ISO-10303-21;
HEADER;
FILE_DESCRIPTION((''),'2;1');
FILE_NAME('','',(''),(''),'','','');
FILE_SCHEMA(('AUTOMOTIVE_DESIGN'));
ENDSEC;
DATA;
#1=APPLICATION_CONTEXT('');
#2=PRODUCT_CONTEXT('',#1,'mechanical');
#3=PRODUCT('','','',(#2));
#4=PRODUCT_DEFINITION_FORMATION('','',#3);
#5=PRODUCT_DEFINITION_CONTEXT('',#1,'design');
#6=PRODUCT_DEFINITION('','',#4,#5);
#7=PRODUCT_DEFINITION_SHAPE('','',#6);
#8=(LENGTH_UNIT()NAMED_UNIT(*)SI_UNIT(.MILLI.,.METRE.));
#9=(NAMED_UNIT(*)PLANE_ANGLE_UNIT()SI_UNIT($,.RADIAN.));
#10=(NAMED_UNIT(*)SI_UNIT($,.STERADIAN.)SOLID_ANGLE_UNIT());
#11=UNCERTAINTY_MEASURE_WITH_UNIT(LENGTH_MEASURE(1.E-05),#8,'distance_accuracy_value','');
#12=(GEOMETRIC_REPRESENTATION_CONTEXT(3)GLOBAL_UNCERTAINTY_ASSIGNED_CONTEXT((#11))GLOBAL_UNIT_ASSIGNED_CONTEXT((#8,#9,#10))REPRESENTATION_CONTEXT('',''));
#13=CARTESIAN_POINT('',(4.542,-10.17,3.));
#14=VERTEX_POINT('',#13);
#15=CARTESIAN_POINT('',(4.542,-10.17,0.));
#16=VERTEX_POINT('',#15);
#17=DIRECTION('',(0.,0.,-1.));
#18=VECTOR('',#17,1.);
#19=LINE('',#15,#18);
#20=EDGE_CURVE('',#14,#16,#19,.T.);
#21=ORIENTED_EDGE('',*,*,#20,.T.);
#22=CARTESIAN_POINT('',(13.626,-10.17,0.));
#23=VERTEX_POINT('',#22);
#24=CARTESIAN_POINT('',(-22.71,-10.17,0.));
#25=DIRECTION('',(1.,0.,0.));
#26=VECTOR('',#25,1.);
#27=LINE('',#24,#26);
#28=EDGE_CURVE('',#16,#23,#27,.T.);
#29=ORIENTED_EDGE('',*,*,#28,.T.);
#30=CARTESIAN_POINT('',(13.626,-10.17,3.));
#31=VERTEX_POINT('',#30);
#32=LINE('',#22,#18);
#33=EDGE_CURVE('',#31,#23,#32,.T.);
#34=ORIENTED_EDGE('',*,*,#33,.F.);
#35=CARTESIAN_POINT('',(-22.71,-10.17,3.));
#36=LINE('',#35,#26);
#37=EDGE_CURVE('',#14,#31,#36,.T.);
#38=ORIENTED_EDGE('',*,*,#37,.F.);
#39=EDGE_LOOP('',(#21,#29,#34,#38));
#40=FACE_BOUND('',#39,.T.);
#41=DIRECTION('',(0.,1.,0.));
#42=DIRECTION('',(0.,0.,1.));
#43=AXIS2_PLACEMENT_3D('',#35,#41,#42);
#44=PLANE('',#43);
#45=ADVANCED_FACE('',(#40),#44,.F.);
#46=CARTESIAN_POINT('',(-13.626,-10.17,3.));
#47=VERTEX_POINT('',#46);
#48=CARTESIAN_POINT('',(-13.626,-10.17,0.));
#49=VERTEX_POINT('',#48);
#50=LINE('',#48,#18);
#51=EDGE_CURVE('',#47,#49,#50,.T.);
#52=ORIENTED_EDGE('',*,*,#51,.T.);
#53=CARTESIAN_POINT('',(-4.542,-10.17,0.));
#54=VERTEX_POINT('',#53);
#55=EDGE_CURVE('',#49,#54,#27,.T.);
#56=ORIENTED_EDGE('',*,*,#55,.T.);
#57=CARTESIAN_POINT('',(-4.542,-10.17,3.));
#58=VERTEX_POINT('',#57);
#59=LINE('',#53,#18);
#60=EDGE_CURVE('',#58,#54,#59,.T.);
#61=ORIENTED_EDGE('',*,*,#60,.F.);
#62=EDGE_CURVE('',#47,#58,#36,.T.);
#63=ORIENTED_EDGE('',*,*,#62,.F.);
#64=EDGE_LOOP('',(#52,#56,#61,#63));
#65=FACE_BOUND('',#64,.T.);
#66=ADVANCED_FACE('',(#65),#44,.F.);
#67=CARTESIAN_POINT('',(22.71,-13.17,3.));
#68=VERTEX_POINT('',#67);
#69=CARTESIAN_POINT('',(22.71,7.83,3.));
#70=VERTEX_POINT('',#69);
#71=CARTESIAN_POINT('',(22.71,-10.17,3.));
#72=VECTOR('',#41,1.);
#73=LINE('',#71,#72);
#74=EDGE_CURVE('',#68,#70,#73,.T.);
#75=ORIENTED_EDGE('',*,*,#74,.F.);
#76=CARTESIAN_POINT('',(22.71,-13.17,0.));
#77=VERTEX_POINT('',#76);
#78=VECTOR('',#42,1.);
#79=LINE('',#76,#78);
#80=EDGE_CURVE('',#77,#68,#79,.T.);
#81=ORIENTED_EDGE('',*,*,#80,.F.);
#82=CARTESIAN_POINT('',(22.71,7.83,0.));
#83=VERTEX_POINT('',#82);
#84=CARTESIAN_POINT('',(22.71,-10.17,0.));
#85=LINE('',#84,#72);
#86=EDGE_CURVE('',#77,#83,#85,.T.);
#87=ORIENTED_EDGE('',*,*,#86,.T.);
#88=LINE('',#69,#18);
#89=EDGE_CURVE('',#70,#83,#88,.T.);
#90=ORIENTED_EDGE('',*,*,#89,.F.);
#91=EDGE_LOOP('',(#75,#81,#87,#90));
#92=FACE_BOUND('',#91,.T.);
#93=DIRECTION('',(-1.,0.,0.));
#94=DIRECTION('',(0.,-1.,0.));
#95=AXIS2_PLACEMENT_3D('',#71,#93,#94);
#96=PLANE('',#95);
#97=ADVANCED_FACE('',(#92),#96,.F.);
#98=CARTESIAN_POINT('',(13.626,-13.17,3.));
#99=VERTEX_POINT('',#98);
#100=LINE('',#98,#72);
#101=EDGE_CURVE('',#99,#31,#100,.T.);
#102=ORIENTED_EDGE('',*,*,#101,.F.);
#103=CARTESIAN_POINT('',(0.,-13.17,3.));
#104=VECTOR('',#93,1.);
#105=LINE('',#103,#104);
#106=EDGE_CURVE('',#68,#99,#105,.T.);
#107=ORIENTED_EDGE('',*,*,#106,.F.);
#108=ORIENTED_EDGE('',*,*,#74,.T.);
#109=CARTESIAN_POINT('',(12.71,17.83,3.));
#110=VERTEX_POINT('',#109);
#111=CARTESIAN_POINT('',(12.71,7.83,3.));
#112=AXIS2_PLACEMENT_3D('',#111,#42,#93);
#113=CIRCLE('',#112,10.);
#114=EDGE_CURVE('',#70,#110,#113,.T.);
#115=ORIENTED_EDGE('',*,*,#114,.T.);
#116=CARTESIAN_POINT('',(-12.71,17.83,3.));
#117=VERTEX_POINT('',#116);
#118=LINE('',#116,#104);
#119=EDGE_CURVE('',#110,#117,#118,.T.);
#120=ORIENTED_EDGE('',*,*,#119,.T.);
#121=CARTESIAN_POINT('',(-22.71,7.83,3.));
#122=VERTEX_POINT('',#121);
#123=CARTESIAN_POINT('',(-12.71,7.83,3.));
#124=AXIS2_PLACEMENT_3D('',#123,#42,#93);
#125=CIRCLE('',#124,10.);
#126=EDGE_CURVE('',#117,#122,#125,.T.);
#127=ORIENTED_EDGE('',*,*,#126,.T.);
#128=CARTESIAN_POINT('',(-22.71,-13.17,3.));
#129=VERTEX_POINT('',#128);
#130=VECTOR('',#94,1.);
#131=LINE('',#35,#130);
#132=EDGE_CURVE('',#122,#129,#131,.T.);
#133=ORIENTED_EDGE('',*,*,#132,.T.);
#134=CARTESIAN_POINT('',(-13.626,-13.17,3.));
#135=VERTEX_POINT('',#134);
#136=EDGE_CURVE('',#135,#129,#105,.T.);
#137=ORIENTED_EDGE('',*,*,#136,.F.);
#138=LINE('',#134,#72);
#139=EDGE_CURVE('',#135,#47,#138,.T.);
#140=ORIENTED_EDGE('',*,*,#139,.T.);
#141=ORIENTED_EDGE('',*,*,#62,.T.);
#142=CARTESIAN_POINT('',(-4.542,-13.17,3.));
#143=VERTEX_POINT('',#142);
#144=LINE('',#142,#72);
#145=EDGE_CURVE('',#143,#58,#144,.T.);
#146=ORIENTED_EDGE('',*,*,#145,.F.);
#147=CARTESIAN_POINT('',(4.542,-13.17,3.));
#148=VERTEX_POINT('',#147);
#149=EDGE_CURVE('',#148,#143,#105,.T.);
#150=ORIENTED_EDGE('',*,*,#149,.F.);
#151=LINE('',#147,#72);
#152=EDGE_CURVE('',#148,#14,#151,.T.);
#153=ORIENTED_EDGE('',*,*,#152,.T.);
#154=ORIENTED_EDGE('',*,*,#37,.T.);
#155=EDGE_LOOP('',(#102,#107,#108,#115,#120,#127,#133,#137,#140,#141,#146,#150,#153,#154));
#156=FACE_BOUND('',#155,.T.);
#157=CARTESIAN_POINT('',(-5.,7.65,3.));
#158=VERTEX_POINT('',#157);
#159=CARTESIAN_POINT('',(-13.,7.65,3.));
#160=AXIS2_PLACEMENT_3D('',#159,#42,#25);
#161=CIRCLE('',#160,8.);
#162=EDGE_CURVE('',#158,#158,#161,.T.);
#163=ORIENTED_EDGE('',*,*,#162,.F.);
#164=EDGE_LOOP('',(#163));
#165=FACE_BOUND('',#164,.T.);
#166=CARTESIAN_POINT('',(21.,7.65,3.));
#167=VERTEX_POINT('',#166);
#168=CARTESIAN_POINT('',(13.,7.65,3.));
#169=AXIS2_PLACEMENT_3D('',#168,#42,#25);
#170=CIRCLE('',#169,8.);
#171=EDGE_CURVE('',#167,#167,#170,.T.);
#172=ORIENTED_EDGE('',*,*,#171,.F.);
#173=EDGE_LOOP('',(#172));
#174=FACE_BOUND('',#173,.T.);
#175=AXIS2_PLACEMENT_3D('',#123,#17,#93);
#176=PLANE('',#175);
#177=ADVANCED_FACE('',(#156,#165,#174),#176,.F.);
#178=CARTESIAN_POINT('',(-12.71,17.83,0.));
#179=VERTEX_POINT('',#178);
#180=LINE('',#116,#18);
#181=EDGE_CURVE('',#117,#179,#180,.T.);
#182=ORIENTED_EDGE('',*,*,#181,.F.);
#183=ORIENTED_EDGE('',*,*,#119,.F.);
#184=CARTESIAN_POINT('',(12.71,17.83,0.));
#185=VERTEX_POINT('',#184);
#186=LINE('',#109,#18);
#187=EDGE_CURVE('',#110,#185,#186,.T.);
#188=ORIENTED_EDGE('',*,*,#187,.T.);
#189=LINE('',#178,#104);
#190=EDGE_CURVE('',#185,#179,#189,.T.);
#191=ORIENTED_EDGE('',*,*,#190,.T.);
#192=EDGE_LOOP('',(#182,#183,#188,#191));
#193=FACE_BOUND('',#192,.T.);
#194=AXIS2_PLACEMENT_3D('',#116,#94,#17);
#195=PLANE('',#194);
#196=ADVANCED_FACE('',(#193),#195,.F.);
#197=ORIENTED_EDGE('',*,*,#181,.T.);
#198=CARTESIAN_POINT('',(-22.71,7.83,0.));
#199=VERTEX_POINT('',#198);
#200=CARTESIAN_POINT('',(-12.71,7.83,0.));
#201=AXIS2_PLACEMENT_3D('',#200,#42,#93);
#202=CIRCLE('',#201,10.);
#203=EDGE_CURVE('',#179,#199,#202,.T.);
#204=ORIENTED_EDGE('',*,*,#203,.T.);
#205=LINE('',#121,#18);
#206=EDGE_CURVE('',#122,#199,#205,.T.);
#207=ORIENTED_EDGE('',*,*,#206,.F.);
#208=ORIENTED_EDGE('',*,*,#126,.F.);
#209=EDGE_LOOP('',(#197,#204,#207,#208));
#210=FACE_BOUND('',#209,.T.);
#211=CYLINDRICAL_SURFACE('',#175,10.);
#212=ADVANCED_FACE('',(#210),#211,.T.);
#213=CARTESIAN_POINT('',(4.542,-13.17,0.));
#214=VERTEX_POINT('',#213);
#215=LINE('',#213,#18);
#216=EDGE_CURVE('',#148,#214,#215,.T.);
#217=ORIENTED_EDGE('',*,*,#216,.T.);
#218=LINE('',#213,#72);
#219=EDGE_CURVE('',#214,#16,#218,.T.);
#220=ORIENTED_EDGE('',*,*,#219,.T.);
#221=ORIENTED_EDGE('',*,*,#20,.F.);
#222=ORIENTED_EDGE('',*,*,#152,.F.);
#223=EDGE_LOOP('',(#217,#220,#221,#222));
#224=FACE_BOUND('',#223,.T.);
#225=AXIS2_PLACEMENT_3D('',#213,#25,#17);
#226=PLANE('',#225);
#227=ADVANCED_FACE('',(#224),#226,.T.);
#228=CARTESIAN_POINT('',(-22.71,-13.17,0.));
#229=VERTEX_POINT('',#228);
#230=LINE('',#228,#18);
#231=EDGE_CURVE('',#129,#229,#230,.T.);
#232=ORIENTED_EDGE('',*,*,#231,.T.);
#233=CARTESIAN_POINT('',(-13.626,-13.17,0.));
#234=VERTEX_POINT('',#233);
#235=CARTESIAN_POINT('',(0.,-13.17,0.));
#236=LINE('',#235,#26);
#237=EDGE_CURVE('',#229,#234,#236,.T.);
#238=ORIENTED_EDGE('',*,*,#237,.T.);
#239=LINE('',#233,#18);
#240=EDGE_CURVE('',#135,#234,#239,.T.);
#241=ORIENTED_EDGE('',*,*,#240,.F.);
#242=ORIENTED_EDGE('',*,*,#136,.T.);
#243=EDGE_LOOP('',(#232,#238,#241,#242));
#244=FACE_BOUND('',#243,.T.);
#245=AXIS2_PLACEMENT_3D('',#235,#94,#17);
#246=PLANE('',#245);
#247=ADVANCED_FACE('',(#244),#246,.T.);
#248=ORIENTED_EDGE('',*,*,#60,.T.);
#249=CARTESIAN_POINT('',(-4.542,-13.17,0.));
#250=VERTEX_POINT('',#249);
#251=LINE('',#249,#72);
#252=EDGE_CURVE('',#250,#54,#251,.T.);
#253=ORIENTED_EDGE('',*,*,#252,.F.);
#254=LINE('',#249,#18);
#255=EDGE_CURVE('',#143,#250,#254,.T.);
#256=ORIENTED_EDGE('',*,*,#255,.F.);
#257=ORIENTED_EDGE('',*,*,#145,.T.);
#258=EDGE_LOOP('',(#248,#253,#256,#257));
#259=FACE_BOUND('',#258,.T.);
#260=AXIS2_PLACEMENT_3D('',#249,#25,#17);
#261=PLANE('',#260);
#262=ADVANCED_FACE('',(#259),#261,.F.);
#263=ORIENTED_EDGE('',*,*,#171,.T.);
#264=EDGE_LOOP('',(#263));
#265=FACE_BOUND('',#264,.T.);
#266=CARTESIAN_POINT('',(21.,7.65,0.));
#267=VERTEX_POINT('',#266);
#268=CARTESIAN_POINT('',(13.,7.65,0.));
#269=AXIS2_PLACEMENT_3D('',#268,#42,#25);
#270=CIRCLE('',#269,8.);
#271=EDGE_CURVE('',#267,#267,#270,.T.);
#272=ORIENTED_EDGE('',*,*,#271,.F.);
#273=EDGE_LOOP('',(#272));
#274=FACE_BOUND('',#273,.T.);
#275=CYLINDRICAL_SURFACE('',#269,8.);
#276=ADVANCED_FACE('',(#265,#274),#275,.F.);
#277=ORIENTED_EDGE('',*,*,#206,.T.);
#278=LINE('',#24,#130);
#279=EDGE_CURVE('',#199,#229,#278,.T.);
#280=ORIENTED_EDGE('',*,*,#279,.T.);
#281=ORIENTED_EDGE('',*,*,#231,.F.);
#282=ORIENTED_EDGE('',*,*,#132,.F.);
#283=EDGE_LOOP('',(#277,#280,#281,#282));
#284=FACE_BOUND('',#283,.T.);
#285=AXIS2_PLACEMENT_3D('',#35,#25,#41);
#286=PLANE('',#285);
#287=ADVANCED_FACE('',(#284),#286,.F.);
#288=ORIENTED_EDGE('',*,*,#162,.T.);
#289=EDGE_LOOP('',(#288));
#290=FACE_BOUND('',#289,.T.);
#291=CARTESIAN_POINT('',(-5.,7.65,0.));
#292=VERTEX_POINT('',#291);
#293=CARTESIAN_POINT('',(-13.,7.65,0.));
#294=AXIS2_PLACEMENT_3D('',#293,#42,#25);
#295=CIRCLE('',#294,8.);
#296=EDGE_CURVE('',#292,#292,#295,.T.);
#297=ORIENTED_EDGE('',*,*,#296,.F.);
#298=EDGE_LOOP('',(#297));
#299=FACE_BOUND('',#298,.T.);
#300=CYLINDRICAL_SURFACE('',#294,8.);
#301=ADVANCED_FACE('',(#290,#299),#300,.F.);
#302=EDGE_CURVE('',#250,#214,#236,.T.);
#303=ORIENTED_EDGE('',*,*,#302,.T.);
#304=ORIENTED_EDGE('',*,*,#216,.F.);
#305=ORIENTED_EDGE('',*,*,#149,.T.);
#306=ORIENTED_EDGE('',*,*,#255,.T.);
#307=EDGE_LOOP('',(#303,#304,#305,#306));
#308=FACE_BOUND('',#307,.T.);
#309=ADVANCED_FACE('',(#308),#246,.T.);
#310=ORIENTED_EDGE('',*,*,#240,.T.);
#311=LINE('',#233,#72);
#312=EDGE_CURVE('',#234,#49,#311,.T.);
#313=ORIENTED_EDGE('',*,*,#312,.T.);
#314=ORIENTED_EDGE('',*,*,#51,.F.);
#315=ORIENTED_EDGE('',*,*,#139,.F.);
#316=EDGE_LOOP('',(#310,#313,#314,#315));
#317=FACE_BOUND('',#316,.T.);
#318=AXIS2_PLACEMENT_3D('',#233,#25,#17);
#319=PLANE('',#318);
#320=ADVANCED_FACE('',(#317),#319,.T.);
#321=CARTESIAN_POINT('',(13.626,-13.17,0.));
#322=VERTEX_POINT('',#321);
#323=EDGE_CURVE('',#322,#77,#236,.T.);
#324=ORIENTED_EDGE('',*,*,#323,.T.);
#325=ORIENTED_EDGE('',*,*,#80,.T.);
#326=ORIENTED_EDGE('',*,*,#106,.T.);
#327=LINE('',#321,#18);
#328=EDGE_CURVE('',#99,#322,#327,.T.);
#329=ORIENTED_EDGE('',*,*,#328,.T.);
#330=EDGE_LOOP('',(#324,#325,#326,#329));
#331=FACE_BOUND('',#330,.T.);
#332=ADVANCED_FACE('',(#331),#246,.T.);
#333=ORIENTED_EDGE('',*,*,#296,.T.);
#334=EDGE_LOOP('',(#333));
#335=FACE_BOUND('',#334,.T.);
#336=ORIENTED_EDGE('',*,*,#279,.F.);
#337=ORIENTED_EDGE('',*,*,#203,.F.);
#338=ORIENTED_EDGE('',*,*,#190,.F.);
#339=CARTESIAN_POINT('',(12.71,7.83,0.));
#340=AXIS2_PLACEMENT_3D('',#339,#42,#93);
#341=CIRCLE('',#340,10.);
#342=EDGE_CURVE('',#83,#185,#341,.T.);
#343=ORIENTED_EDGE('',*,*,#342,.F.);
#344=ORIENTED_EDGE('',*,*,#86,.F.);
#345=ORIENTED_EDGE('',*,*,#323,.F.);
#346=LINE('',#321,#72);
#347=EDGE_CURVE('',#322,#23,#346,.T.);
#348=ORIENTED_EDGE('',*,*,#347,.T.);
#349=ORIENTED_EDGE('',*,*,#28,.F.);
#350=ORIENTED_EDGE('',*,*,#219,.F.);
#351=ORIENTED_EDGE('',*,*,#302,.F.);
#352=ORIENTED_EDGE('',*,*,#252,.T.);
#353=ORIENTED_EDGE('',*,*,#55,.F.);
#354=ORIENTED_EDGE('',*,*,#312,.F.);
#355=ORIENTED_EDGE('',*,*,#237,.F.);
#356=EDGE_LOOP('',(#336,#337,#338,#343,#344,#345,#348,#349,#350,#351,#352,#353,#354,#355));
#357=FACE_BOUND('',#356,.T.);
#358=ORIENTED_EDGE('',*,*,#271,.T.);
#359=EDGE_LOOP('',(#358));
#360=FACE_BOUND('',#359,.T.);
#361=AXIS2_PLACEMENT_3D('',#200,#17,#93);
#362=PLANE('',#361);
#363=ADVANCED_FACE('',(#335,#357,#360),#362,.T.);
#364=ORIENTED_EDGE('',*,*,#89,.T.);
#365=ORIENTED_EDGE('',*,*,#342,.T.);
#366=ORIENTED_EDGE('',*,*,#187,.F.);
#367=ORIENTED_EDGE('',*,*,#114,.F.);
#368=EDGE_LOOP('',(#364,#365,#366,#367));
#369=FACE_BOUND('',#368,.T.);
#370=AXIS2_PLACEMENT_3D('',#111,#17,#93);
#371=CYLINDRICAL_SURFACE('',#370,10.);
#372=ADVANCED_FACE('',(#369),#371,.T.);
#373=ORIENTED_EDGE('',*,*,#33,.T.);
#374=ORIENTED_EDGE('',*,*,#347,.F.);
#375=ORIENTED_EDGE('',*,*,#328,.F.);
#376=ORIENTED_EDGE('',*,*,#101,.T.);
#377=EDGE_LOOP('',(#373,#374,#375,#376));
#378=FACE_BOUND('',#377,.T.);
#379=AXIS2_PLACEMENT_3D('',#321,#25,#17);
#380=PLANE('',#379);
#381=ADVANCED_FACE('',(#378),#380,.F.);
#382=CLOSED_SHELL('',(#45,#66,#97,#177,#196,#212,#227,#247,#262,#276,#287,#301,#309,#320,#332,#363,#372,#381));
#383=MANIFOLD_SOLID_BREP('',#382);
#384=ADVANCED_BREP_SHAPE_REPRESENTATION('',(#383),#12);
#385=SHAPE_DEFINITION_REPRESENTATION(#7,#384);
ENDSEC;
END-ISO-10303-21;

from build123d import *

# Parameters (mm, degrees)
SALIENTE_EXTRUIR1_DEPTH = 3
CROQUIS3_R              = 8
CORTAR_EXTRUIR2_DEPTH   = 3
CROQUIS5_W              = 9.084
CROQUIS5_H              = 3
SALIENTE_EXTRUIR2_DEPTH = 3


with BuildPart() as part:
    # Croquis1 → Saliente-Extruir1 (new body)
    with BuildSketch(Plane.XY):
        with BuildLine():
            Line((-22.71, -10.17), (22.71, -10.17))
            Line((22.71, -10.17), (22.71, 7.83))
            ThreePointArc((22.71, 7.83), (19.781067812, 14.901067812), (12.71, 17.83))
            Line((12.71, 17.83), (-12.71, 17.83))
            ThreePointArc((-12.71, 17.83), (-19.781067812, 14.901067812), (-22.71, 7.83))
            Line((-22.71, 7.83), (-22.71, -10.17))
        make_face()
    extrude(amount=SALIENTE_EXTRUIR1_DEPTH)

    # Croquis3 → Cortar-Extruir2 (cut)
    with BuildSketch(Plane.XY.offset(3)):
        with Locations((-13, 7.65)):
            Circle(CROQUIS3_R)
        with Locations((13, 7.65)):
            Circle(CROQUIS3_R)
    extrude(amount=-CORTAR_EXTRUIR2_DEPTH, mode=Mode.SUBTRACT)

    # Croquis5 → Saliente-Extruir2 (add)
    with BuildSketch(Plane.XZ.offset(10.17)):
        with Locations((-18.168, 1.5)):
            Rectangle(CROQUIS5_W, CROQUIS5_H)
        with Locations((0, 1.5)):
            Rectangle(CROQUIS5_W, CROQUIS5_H)
        with Locations((18.168, 1.5)):
            Rectangle(CROQUIS5_W, CROQUIS5_H)
    extrude(amount=SALIENTE_EXTRUIR2_DEPTH)


solid = part.part
